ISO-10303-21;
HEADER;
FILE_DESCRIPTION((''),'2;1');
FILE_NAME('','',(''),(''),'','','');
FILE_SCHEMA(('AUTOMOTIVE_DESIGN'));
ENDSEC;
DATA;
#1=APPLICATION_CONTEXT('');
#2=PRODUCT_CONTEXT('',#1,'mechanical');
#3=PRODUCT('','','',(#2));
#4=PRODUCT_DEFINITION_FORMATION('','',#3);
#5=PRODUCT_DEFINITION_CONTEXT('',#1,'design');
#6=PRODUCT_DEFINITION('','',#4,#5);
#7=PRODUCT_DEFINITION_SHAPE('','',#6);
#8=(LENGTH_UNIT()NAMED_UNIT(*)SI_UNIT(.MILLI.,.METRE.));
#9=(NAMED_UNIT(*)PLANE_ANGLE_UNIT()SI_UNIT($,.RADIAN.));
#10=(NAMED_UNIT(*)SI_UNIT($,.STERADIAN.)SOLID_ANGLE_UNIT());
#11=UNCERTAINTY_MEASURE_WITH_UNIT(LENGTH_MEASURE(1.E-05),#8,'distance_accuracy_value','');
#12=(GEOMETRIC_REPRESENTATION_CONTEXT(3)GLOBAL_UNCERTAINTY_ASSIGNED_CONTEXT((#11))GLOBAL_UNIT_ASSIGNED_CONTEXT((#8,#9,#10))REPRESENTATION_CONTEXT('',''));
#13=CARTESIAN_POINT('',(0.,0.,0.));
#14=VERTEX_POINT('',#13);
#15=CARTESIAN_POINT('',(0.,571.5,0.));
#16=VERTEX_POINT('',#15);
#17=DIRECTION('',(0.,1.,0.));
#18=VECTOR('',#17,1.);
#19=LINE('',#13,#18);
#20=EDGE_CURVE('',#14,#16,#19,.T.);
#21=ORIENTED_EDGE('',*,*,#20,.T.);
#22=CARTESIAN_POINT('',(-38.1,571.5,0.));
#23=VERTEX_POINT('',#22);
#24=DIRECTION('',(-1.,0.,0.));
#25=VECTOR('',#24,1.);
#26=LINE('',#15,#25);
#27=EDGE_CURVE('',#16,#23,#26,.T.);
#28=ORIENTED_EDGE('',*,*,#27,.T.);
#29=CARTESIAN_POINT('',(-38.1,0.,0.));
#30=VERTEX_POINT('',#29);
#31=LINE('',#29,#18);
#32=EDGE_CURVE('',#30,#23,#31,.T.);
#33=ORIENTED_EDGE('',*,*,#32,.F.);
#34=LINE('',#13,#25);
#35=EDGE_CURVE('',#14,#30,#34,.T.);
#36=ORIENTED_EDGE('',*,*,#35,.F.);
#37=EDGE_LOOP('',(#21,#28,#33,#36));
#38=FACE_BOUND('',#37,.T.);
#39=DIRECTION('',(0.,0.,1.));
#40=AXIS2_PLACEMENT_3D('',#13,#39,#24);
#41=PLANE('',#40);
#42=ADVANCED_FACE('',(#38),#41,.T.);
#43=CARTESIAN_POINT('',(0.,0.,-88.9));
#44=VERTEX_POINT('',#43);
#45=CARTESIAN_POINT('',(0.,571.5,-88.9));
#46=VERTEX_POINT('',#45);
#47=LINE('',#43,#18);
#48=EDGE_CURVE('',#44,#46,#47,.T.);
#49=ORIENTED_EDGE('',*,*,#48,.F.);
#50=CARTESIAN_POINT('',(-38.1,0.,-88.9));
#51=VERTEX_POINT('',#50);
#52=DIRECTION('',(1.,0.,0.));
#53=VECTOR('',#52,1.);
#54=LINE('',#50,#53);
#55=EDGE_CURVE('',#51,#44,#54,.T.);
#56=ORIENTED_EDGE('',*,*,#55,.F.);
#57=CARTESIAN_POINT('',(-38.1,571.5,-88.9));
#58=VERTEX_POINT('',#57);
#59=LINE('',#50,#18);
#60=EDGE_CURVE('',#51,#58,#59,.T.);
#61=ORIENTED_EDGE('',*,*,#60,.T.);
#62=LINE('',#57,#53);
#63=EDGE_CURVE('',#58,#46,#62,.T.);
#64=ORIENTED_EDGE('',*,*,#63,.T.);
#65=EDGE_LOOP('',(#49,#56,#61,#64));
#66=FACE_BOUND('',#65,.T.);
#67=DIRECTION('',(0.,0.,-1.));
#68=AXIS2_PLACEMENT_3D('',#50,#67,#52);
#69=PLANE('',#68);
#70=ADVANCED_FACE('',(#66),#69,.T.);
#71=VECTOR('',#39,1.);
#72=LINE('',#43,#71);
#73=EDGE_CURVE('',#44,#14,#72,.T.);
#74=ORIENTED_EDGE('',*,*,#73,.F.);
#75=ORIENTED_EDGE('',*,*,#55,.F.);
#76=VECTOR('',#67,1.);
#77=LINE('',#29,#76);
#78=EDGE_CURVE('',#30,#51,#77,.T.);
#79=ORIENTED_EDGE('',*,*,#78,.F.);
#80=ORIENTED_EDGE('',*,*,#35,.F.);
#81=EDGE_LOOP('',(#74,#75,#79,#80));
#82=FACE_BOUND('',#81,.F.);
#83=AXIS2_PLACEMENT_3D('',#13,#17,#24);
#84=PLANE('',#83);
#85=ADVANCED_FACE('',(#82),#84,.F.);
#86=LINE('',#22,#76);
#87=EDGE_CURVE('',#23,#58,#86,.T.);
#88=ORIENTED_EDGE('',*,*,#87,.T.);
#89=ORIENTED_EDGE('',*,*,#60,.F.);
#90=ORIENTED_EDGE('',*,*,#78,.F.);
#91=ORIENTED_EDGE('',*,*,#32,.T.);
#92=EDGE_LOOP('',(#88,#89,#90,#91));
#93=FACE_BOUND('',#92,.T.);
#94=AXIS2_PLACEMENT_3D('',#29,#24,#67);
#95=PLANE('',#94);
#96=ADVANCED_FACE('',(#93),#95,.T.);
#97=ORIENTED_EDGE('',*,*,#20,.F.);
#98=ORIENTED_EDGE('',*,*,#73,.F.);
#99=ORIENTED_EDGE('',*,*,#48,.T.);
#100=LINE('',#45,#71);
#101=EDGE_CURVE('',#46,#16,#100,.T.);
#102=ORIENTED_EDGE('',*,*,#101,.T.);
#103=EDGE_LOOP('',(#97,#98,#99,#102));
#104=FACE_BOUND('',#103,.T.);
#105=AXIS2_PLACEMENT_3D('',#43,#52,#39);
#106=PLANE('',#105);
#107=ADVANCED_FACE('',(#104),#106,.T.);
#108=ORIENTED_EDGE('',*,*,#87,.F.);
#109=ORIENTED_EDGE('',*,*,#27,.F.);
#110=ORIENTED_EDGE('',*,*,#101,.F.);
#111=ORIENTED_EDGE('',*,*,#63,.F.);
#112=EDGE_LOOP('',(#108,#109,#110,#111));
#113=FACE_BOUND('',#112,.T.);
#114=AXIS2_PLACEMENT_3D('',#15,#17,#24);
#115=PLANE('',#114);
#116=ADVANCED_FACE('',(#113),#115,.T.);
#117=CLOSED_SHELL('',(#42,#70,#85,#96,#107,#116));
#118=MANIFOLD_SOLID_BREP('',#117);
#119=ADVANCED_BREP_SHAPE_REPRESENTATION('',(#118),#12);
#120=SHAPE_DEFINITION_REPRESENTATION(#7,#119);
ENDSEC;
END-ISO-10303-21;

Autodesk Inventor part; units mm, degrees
ref_plane "YZ Plane" through (0, 0, 0) normal (1, 0, 0) x (0, 1, 0)
ref_plane "XZ Plane" through (0, 0, 0) normal (0, 1, 0) x (-1, 0, 0)
ref_plane "XY Plane" through (0, 0, 0) normal (0, 0, 1) x (1, 0, 0)
sketch "Sketch1" plane through (0, 0, 0) normal (0, 1, 0) x (-1, 0, 0)
  line L0 (0, 0) -> (38.1, 0)
  line L1 (38.1, 0) -> (38.1, -88.9)
  line L2 (38.1, -88.9) -> (0, -88.9)
  line L3 (0, -88.9) -> (0, 0)
  dimension "d0" = 38.1
  dimension "d1" = 88.9
extrude "Extrusion1" add sketch "Sketch1" along normal blind 571.5
properties part number "2x4x22.5"
